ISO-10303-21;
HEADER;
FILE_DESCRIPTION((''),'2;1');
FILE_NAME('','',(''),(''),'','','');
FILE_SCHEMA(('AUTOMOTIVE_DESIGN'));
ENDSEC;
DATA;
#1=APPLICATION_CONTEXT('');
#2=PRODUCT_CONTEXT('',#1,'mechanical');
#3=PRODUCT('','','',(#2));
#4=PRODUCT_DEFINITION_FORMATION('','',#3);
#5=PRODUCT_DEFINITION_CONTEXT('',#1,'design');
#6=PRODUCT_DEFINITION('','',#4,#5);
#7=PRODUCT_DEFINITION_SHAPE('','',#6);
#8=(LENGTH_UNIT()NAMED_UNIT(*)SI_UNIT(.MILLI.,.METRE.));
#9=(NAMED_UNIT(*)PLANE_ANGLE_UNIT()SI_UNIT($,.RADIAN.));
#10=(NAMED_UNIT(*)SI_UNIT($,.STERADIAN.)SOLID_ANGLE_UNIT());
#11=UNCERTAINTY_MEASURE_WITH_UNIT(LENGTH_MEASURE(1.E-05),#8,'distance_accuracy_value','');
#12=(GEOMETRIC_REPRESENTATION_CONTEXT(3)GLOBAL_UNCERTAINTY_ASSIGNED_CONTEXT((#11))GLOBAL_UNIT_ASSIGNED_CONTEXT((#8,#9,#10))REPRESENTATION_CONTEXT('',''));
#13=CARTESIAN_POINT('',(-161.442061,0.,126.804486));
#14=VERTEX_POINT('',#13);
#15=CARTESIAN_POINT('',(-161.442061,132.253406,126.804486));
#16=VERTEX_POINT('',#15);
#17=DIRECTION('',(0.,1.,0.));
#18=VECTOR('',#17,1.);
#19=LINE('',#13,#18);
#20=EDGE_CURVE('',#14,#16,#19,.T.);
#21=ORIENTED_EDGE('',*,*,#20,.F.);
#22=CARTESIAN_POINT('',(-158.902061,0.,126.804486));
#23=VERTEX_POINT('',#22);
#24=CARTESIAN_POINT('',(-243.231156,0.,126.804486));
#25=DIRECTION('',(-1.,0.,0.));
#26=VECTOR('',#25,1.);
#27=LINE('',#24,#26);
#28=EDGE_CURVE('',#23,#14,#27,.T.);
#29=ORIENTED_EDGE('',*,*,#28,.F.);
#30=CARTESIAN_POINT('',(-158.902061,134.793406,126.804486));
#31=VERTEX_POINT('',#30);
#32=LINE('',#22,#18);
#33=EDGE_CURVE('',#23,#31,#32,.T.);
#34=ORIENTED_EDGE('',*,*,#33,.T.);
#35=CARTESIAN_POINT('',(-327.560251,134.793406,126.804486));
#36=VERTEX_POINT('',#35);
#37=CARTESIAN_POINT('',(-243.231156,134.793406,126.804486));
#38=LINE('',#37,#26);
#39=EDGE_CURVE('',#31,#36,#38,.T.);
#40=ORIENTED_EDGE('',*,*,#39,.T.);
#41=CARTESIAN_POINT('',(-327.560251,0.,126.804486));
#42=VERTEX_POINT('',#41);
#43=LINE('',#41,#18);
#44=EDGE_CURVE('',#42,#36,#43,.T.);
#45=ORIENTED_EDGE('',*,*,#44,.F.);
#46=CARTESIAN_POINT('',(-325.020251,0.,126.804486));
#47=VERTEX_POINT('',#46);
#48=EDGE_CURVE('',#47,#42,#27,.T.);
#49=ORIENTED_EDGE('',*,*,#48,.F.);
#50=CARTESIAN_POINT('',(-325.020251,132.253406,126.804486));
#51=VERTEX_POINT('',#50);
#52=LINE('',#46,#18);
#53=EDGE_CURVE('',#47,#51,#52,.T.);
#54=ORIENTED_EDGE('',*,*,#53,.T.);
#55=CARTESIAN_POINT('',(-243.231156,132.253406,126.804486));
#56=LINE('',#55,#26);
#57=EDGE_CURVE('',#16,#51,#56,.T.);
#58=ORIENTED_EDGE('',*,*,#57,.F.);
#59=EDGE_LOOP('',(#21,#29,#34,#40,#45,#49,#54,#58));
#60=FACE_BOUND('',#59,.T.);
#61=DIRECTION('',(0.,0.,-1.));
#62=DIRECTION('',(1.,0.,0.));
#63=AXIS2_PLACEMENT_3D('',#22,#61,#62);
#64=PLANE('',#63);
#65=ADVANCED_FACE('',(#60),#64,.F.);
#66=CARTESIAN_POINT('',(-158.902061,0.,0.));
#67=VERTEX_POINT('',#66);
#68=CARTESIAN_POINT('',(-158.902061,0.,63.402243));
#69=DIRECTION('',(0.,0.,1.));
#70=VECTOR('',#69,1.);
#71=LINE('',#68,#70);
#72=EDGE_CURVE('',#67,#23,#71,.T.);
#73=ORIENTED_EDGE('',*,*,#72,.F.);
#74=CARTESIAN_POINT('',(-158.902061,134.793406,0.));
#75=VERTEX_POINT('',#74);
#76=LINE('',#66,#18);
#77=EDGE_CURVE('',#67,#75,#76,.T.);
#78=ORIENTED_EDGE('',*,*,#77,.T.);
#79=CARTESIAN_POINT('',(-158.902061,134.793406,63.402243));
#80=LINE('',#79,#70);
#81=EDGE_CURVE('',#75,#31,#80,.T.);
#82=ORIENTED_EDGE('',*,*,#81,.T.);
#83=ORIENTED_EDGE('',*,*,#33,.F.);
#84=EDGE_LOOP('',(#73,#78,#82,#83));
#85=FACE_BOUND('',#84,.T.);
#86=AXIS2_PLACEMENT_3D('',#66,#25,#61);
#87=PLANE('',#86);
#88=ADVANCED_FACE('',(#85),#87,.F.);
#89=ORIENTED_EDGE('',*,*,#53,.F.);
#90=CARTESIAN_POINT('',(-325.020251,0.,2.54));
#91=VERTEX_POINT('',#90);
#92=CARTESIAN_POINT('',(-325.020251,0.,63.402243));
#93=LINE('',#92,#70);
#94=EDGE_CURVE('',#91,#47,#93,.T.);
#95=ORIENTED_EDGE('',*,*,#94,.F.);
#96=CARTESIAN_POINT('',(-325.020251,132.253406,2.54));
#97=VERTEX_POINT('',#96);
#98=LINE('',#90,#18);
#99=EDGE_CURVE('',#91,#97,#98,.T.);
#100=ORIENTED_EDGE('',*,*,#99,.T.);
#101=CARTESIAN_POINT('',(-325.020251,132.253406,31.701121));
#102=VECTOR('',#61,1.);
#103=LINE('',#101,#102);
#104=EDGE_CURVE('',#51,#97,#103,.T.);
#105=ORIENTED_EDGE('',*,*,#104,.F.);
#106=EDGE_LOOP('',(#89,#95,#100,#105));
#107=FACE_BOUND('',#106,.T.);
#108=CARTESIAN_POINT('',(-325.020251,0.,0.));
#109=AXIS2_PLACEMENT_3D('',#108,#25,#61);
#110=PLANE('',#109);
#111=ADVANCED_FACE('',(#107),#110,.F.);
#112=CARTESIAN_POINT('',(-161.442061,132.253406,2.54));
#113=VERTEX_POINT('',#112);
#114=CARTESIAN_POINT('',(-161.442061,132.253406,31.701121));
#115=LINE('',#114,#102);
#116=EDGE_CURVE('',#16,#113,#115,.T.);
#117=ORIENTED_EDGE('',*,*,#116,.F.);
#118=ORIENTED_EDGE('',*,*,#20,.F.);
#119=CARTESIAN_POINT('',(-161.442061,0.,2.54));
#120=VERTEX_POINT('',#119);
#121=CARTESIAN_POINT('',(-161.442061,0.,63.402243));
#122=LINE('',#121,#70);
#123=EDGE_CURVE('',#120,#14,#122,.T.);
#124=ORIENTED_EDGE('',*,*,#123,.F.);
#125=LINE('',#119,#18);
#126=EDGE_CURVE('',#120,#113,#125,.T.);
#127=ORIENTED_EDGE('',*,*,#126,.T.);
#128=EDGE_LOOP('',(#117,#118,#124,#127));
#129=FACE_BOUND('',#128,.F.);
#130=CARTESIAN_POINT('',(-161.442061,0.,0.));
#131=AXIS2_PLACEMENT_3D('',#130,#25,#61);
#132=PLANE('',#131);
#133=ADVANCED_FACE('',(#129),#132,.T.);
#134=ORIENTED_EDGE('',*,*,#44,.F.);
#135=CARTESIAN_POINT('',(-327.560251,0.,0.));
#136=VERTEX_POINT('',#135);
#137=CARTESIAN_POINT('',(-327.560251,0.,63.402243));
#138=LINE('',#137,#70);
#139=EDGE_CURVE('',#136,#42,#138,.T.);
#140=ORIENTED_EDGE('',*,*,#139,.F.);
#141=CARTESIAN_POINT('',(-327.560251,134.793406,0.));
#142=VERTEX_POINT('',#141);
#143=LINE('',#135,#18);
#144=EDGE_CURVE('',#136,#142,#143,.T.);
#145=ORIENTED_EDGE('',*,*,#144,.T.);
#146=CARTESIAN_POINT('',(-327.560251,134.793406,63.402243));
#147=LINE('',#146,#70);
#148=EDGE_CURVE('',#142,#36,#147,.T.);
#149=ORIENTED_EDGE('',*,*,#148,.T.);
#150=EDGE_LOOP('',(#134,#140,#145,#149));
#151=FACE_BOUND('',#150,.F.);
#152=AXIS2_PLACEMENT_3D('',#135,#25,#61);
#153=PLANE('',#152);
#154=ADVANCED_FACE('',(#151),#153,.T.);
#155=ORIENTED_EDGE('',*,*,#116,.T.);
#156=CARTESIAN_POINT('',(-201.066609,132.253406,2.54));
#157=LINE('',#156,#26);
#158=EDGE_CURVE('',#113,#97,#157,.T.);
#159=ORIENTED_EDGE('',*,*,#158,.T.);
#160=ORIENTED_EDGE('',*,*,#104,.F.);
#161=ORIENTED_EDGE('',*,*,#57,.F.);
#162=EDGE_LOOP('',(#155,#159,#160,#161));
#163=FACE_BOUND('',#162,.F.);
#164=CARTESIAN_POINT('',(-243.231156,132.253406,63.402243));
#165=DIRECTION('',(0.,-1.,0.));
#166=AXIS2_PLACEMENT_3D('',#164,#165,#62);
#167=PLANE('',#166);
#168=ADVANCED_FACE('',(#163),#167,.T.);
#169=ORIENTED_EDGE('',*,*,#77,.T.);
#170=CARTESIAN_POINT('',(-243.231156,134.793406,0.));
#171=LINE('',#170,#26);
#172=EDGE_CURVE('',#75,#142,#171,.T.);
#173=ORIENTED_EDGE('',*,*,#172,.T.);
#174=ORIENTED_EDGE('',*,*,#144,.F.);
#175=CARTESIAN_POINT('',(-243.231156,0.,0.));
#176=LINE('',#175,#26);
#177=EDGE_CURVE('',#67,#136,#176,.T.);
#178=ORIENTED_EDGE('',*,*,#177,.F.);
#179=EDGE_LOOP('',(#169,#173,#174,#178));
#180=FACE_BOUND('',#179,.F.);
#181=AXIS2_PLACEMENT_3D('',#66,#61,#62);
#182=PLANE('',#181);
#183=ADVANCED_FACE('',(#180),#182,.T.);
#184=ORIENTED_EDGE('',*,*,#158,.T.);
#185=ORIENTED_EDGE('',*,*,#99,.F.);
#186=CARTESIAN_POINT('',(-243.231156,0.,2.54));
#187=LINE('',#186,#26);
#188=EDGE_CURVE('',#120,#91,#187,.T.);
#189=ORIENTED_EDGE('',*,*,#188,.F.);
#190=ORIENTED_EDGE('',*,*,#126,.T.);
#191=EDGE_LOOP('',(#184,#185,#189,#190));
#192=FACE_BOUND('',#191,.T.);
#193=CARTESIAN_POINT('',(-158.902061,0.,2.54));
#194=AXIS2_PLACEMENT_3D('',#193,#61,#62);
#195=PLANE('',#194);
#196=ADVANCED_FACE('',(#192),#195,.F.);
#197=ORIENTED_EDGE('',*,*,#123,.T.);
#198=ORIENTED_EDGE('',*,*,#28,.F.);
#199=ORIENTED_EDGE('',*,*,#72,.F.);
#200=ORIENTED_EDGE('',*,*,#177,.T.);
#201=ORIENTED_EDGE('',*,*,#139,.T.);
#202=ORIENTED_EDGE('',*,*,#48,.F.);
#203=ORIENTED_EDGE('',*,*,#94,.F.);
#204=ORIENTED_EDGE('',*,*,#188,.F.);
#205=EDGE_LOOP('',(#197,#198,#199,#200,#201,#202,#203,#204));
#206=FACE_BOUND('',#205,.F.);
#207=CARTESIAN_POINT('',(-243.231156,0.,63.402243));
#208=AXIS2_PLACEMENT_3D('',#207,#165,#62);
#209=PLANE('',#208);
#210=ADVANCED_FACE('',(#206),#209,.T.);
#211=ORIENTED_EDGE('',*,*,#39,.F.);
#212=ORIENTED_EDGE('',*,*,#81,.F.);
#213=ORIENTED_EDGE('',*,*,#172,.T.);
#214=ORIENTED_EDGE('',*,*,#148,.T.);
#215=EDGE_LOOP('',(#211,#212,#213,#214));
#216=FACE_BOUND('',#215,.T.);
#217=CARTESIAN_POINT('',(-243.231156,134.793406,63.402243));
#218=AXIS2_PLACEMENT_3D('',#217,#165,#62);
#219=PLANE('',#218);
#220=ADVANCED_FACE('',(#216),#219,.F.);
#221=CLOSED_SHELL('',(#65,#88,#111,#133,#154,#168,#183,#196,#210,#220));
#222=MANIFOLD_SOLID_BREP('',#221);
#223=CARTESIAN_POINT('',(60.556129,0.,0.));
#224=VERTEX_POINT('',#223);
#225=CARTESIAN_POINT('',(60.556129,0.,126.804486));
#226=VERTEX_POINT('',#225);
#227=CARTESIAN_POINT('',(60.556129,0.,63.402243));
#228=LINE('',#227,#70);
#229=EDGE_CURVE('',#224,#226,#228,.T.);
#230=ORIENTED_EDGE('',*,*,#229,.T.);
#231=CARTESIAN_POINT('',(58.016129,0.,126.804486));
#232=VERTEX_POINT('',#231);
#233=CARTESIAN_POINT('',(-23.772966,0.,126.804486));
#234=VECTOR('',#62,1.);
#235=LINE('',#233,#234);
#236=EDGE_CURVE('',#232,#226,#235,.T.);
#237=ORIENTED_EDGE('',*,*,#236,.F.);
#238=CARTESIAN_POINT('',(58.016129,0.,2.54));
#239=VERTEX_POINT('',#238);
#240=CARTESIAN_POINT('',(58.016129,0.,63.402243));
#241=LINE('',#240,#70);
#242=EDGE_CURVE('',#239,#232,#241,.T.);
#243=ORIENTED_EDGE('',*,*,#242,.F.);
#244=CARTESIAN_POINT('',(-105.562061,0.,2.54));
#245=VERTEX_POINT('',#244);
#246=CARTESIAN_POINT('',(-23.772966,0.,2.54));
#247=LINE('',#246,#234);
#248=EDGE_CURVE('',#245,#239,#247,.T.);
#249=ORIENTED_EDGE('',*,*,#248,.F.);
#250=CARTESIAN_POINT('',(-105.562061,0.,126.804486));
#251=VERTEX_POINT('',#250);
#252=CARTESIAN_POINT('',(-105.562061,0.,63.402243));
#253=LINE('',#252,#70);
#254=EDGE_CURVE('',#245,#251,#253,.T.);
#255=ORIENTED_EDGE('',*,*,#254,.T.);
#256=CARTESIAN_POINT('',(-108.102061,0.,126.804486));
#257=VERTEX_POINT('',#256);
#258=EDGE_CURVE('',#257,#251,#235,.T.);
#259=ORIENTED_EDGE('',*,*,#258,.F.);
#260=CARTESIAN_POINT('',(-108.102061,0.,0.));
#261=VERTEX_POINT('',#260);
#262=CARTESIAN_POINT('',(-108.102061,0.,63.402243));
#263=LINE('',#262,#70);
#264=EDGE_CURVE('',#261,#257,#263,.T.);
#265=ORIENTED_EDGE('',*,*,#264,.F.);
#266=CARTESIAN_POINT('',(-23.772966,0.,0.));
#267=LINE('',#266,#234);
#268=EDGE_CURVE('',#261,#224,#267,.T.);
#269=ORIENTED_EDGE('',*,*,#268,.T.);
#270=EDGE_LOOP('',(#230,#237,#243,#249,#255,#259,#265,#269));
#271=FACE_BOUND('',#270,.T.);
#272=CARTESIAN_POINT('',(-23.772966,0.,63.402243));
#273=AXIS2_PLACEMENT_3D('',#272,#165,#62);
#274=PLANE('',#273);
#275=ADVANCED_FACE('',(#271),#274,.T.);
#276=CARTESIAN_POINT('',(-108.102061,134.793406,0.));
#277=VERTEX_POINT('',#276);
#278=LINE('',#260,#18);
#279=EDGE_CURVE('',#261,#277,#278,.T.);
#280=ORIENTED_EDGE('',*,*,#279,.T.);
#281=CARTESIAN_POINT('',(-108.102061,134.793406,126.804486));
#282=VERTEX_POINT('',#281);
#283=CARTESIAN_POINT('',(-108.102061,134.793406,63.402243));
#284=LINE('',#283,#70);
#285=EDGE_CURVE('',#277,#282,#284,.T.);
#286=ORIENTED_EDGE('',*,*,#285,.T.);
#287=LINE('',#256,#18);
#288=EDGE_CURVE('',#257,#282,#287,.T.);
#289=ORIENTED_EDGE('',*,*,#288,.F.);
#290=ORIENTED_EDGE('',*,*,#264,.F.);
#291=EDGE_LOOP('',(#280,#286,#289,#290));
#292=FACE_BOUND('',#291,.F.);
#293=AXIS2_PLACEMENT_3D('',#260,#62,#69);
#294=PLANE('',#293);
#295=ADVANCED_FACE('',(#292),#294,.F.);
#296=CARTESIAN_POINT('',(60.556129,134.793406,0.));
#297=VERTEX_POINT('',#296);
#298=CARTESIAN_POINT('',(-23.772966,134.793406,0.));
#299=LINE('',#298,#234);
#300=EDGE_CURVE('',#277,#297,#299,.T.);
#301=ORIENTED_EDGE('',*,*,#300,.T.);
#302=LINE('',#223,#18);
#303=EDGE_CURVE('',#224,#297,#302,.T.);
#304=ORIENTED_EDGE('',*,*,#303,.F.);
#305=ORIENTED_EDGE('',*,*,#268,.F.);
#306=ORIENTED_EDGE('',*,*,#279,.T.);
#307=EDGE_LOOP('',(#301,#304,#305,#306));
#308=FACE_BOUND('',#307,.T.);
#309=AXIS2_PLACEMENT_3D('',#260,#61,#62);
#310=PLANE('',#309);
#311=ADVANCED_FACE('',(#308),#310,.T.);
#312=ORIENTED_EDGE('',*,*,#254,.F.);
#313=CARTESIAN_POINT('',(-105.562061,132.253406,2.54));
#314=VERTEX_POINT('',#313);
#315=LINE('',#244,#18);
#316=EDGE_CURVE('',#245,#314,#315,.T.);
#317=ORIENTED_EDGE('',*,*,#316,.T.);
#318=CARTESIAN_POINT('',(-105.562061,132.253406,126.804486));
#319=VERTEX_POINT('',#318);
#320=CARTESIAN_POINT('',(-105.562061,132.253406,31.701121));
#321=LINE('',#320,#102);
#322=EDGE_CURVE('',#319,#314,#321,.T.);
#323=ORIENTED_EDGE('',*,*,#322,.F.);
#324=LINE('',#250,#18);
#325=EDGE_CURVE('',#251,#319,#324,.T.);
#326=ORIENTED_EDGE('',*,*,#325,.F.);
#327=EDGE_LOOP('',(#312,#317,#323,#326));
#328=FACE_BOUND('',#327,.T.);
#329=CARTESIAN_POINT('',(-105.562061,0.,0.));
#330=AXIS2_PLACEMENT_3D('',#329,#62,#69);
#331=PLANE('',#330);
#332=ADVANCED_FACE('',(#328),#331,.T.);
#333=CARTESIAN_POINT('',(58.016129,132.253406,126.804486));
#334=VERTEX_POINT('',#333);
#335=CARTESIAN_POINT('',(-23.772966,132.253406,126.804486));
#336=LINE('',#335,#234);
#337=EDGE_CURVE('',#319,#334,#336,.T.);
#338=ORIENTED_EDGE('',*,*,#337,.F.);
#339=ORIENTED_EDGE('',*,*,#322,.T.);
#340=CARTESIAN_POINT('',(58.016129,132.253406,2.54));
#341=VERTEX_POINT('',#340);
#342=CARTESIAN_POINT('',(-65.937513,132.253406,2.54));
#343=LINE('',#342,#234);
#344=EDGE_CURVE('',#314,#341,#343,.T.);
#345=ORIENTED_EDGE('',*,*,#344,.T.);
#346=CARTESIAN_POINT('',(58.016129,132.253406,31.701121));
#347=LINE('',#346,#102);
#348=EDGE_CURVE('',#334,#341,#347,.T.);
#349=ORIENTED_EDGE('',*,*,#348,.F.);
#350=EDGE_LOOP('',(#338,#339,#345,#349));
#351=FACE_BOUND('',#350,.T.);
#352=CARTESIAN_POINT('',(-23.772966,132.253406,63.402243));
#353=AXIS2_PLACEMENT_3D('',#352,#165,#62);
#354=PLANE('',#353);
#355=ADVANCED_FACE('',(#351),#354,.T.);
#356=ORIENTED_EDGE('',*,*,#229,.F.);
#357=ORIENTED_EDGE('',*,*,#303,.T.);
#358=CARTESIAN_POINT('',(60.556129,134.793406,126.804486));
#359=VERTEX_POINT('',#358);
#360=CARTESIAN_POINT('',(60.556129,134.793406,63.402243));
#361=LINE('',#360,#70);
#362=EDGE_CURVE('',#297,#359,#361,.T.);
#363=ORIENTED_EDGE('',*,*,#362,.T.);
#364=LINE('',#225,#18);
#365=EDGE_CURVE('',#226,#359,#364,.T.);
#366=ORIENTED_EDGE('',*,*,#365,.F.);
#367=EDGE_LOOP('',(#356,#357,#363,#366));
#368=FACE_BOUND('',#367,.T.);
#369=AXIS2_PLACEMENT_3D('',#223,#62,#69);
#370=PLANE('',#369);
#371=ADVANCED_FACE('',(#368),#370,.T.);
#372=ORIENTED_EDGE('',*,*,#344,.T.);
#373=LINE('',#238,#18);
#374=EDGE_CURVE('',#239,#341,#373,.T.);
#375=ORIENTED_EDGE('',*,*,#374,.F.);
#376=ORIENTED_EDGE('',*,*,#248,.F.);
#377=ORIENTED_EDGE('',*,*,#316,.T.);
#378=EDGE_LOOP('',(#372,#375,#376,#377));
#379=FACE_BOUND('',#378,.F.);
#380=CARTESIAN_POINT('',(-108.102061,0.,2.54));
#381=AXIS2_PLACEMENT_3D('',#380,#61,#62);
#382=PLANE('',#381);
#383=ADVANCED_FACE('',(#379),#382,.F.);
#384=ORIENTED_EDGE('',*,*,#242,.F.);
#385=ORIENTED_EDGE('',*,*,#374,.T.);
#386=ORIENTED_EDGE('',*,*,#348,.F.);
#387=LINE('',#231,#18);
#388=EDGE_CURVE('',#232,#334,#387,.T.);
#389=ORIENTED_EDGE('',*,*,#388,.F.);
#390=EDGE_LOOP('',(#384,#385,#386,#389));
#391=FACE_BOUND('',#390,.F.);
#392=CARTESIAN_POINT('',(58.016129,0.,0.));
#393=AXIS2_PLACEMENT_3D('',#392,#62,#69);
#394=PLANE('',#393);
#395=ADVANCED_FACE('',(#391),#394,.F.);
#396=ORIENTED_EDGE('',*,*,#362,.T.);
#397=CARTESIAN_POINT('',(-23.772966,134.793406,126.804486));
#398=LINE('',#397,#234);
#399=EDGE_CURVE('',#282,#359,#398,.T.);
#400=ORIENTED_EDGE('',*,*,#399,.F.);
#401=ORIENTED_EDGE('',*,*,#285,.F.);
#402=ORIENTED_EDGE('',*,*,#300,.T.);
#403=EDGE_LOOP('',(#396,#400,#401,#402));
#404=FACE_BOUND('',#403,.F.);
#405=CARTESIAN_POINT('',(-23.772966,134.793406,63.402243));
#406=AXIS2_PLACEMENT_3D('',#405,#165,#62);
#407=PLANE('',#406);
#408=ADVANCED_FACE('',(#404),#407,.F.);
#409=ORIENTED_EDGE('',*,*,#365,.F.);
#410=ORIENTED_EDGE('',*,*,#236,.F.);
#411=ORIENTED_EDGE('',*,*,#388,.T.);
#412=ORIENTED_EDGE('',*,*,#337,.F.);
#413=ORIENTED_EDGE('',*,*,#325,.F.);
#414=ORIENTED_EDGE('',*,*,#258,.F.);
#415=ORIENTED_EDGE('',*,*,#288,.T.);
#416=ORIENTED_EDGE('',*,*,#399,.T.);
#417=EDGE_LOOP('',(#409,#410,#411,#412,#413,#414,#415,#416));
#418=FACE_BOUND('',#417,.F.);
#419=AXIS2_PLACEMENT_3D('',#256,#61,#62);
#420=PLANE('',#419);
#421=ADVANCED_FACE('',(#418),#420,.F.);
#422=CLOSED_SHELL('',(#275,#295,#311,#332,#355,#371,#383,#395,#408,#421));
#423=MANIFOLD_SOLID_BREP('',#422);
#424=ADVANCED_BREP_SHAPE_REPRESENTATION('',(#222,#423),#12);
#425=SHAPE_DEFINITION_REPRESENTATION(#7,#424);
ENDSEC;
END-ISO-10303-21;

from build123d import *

# Parameters (mm, degrees)
F0_W     = 168.65819
F0_H     = 126.804486
F1_DEPTH = 134.793406
F2_T     = -2.54


with BuildPart() as f1:
    # F0 (on Front) → F1 (new body)
    with BuildSketch(Plane.XZ):
        with Locations((-23.772966, 63.402243)):
            Rectangle(F0_W, F0_H)
    extrude(amount=-F1_DEPTH)

    # F2
    f2_openings = [f1.faces().sort_by_distance(p)[0] for p in [
        (-23.772966, 0, 63.402243),
        (-23.772966, 67.396703, 126.804486),
    ]]
    offset(amount=F2_T, openings=f2_openings)


with BuildPart() as f4_1:
    # F4: instance of F1
    add(f1.part.mirror(Plane(origin=(-133.502061, 67.396703, 63.402243), x_dir=(0, -1, 0), z_dir=(-1, 0, 0))))


solid = Compound([f1.part, f4_1.part])
